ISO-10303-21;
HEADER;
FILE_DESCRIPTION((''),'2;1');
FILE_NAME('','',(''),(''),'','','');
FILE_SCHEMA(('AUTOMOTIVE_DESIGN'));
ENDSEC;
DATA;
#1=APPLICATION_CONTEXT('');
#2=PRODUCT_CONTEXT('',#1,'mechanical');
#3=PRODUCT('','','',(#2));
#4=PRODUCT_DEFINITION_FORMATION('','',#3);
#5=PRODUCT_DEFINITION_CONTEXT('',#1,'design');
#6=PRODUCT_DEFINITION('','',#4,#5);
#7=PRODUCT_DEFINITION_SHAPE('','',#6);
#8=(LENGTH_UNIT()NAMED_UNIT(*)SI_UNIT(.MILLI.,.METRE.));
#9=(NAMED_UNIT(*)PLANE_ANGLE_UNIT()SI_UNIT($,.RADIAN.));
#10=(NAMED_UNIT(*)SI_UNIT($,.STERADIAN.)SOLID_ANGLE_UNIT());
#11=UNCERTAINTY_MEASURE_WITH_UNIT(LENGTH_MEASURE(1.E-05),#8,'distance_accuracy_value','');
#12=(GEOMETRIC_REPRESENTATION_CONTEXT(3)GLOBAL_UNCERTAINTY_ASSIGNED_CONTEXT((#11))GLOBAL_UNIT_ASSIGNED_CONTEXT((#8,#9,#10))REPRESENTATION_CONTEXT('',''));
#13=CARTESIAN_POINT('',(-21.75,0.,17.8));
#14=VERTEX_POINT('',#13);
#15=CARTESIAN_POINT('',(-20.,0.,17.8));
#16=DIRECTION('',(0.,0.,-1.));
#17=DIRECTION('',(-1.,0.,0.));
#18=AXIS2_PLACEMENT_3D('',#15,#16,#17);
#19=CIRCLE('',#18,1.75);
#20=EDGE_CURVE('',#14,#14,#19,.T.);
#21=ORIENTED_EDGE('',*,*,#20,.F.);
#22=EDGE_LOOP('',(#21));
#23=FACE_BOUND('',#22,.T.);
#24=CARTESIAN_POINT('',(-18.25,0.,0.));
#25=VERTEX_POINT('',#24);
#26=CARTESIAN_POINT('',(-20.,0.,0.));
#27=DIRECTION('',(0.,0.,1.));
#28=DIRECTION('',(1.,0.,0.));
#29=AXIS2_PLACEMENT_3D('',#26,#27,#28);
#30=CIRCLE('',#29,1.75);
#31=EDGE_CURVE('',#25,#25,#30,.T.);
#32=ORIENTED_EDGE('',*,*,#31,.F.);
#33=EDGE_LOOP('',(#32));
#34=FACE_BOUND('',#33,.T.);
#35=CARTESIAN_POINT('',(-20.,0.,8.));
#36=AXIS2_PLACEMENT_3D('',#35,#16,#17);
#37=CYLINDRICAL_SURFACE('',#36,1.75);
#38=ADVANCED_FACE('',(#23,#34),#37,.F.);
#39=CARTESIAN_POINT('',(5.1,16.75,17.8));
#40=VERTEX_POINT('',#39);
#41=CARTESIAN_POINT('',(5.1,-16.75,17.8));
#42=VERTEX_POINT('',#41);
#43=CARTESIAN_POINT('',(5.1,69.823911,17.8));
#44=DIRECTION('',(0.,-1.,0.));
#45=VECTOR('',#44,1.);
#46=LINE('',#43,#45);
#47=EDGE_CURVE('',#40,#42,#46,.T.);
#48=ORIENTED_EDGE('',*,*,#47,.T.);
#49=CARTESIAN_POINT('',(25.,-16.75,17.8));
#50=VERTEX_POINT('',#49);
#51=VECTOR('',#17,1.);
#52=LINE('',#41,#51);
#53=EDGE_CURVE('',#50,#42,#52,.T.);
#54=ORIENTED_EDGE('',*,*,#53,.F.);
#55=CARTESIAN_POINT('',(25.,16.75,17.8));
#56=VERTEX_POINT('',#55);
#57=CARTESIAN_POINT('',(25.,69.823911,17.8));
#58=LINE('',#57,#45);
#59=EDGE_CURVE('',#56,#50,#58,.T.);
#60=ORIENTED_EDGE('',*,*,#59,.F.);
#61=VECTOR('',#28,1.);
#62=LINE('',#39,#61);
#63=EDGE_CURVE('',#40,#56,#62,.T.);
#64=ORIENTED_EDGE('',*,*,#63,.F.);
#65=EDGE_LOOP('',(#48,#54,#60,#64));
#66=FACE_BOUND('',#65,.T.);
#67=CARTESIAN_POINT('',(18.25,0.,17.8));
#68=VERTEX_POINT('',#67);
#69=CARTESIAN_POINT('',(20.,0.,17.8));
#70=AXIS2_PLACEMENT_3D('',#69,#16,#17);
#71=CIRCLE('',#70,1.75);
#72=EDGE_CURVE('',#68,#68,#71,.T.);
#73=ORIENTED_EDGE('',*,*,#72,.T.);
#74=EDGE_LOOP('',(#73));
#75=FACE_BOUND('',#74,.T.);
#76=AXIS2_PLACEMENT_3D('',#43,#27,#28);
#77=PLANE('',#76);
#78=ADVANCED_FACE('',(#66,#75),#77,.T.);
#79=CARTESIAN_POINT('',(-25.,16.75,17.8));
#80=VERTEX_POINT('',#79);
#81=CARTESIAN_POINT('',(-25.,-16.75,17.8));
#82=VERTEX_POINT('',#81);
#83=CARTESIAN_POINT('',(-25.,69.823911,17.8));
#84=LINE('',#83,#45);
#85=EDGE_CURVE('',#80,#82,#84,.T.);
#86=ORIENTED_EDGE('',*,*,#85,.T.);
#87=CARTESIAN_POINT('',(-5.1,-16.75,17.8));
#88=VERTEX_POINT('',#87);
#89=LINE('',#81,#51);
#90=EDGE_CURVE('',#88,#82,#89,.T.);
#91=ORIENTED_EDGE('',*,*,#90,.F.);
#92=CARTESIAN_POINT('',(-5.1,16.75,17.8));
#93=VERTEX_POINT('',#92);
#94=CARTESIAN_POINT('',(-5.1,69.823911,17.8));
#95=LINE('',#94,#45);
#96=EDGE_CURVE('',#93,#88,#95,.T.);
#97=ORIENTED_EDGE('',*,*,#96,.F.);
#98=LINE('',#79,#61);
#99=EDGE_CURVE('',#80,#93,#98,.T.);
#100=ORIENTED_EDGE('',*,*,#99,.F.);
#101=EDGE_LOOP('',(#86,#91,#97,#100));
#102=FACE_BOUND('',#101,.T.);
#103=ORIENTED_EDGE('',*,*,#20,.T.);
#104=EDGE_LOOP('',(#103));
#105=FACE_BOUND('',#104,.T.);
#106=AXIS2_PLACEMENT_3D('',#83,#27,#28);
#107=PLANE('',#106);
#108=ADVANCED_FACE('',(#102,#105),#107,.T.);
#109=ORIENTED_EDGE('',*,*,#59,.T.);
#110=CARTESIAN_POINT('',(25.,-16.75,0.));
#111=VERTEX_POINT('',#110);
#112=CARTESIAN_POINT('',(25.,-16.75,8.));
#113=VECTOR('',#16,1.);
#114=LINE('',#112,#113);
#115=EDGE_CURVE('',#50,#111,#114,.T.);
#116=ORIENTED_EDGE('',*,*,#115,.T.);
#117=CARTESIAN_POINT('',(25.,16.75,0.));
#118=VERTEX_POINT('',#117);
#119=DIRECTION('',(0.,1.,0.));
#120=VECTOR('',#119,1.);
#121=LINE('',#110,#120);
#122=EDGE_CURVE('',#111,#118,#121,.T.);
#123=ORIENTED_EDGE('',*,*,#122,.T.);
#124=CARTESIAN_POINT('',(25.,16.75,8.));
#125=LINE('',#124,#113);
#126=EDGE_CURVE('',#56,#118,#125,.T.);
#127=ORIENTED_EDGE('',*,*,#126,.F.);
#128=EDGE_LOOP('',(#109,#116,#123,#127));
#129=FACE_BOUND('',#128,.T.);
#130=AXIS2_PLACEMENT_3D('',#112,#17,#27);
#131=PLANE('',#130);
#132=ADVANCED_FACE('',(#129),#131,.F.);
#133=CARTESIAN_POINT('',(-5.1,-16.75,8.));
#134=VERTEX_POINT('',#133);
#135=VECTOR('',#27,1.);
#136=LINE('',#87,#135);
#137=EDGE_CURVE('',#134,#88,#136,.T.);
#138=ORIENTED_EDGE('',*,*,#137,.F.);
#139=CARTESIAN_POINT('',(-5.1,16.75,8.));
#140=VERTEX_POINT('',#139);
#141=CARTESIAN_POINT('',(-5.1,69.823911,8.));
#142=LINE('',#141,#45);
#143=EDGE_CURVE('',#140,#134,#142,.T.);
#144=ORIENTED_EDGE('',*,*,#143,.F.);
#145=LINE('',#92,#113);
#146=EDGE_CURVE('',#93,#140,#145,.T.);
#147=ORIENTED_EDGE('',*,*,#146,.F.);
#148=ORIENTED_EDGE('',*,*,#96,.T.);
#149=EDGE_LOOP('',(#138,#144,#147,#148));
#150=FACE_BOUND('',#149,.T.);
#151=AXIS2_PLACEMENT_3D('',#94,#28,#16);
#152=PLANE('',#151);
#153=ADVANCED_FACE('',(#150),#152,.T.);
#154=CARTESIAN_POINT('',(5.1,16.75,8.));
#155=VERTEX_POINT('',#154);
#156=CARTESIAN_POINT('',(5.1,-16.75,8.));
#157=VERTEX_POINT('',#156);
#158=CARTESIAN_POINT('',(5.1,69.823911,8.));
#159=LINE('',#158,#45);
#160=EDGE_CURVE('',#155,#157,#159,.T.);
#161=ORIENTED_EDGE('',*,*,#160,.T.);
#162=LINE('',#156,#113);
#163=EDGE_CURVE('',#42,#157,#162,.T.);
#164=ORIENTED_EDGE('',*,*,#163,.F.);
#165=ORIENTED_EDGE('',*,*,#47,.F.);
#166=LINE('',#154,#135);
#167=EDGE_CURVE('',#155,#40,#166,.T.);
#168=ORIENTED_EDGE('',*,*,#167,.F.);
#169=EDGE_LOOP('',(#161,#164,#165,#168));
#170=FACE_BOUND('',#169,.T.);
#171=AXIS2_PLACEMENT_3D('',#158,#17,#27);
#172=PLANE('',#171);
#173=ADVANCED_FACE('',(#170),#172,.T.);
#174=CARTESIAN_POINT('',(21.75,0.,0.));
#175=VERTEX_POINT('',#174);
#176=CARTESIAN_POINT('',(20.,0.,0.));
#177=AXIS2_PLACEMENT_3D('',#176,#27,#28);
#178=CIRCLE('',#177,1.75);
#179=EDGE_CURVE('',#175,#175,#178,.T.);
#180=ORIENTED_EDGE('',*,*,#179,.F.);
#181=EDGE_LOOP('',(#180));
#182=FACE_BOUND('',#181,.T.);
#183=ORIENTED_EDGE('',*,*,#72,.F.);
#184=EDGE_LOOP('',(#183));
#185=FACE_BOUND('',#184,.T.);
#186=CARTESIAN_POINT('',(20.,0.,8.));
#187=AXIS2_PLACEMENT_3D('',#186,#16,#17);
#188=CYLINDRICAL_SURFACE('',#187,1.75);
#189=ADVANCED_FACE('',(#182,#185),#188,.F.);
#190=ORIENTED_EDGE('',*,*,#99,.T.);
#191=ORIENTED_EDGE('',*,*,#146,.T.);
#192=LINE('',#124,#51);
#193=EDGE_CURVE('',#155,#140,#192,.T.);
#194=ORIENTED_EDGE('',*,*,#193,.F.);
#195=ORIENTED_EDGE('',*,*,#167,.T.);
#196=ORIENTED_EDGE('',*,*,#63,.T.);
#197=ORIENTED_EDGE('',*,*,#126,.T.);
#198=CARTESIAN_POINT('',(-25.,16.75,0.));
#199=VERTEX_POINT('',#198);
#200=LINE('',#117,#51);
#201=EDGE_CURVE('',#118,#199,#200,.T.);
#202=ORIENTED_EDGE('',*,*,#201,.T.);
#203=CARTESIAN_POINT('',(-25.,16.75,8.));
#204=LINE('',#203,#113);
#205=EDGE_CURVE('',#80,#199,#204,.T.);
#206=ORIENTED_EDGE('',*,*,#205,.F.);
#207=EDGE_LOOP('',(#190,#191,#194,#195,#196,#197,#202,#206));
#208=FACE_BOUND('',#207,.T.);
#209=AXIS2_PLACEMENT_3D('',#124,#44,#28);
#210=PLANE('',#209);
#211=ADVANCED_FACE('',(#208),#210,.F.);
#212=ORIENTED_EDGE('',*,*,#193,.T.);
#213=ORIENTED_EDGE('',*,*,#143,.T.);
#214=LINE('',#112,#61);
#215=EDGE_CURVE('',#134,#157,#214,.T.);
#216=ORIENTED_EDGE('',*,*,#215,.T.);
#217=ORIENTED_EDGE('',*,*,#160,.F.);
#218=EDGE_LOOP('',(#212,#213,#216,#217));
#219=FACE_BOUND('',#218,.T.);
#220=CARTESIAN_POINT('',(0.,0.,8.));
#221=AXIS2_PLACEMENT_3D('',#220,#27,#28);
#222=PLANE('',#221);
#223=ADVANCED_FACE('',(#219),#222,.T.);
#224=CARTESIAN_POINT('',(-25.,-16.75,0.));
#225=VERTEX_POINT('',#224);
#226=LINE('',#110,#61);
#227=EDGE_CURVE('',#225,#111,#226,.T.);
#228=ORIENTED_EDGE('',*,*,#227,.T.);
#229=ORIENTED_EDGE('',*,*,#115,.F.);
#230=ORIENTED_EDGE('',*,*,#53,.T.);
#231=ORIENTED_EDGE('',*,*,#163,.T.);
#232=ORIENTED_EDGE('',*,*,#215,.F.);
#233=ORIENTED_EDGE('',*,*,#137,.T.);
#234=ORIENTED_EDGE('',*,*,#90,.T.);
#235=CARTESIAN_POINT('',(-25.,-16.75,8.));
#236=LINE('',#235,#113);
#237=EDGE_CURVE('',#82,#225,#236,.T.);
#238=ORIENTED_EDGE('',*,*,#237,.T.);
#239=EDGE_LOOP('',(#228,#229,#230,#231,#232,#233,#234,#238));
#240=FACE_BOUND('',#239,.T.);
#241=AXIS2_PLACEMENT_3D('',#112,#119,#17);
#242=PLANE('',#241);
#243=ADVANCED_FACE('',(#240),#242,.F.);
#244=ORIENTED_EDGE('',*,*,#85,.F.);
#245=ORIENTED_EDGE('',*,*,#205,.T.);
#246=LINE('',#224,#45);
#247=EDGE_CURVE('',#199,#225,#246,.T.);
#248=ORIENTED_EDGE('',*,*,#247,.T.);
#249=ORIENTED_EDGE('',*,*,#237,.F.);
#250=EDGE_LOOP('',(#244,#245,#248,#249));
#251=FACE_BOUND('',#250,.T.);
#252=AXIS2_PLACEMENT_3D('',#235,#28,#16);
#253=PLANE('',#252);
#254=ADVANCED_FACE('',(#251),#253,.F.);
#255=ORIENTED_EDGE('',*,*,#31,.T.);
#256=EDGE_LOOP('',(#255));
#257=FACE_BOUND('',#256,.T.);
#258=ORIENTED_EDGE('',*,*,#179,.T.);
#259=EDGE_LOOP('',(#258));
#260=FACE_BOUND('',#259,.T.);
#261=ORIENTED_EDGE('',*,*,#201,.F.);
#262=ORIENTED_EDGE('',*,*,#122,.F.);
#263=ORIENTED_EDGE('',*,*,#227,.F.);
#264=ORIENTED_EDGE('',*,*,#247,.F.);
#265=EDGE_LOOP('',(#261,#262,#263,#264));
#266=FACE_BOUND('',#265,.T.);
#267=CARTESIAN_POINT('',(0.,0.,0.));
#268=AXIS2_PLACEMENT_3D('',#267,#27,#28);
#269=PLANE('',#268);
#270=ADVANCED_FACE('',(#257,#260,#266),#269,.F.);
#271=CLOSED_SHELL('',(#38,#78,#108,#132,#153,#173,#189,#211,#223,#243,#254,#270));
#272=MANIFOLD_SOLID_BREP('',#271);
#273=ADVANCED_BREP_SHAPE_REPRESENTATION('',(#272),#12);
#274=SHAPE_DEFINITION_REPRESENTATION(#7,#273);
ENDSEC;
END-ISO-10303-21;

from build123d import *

# Parameters (mm, degrees)
SKETCH2_W           = 50
SKETCH2_H           = 33.5
SKETCH2_R           = 1.75
BOSS_EXTRUDE1_DEPTH = 8
BOSS_EXTRUDE2_DEPTH = 33.5
SKETCH6_R           = 1.75
CUT_EXTRUDE1_DEPTH  = 18.8


with BuildPart() as part:
    # Sketch2 → Boss-Extrude1 (new body)
    with BuildSketch(Plane.XY):
        Rectangle(SKETCH2_W, SKETCH2_H)
        with Locations((-20, 0)):
            Circle(SKETCH2_R, mode=Mode.SUBTRACT)
        with Locations((20, 0)):
            Circle(SKETCH2_R, mode=Mode.SUBTRACT)
    extrude(amount=BOSS_EXTRUDE1_DEPTH)

    # Sketch5 → Boss-Extrude2 (add)
    with BuildSketch(Plane.XZ.offset(16.75)):
        with BuildLine():
            Line((-25, 8), (-25, 17.8))
            Line((-25, 17.8), (-5.1, 17.8))
            Line((-5.1, 17.8), (-5.1, 8))
            Line((-5.1, 8), (5.1, 8))
            Line((5.1, 8), (5.1, 17.8))
            Line((5.1, 17.8), (25, 17.8))
            Line((25, 17.8), (25, 8))
            ThreePointArc((25, 8), (0, 0), (-25, 8))
        make_face()
    extrude(amount=-BOSS_EXTRUDE2_DEPTH)

    # Sketch6 → Cut-Extrude1 (cut, through all)
    with BuildSketch(Plane(origin=(0, 0, 0), x_dir=(-1, 0, 0), z_dir=(0, 0, -1))):
        with Locations((20, 0)):
            Circle(SKETCH6_R)
        with Locations((-20, 0)):
            Circle(SKETCH6_R)
    extrude(amount=-CUT_EXTRUDE1_DEPTH, mode=Mode.SUBTRACT)


solid = part.part
